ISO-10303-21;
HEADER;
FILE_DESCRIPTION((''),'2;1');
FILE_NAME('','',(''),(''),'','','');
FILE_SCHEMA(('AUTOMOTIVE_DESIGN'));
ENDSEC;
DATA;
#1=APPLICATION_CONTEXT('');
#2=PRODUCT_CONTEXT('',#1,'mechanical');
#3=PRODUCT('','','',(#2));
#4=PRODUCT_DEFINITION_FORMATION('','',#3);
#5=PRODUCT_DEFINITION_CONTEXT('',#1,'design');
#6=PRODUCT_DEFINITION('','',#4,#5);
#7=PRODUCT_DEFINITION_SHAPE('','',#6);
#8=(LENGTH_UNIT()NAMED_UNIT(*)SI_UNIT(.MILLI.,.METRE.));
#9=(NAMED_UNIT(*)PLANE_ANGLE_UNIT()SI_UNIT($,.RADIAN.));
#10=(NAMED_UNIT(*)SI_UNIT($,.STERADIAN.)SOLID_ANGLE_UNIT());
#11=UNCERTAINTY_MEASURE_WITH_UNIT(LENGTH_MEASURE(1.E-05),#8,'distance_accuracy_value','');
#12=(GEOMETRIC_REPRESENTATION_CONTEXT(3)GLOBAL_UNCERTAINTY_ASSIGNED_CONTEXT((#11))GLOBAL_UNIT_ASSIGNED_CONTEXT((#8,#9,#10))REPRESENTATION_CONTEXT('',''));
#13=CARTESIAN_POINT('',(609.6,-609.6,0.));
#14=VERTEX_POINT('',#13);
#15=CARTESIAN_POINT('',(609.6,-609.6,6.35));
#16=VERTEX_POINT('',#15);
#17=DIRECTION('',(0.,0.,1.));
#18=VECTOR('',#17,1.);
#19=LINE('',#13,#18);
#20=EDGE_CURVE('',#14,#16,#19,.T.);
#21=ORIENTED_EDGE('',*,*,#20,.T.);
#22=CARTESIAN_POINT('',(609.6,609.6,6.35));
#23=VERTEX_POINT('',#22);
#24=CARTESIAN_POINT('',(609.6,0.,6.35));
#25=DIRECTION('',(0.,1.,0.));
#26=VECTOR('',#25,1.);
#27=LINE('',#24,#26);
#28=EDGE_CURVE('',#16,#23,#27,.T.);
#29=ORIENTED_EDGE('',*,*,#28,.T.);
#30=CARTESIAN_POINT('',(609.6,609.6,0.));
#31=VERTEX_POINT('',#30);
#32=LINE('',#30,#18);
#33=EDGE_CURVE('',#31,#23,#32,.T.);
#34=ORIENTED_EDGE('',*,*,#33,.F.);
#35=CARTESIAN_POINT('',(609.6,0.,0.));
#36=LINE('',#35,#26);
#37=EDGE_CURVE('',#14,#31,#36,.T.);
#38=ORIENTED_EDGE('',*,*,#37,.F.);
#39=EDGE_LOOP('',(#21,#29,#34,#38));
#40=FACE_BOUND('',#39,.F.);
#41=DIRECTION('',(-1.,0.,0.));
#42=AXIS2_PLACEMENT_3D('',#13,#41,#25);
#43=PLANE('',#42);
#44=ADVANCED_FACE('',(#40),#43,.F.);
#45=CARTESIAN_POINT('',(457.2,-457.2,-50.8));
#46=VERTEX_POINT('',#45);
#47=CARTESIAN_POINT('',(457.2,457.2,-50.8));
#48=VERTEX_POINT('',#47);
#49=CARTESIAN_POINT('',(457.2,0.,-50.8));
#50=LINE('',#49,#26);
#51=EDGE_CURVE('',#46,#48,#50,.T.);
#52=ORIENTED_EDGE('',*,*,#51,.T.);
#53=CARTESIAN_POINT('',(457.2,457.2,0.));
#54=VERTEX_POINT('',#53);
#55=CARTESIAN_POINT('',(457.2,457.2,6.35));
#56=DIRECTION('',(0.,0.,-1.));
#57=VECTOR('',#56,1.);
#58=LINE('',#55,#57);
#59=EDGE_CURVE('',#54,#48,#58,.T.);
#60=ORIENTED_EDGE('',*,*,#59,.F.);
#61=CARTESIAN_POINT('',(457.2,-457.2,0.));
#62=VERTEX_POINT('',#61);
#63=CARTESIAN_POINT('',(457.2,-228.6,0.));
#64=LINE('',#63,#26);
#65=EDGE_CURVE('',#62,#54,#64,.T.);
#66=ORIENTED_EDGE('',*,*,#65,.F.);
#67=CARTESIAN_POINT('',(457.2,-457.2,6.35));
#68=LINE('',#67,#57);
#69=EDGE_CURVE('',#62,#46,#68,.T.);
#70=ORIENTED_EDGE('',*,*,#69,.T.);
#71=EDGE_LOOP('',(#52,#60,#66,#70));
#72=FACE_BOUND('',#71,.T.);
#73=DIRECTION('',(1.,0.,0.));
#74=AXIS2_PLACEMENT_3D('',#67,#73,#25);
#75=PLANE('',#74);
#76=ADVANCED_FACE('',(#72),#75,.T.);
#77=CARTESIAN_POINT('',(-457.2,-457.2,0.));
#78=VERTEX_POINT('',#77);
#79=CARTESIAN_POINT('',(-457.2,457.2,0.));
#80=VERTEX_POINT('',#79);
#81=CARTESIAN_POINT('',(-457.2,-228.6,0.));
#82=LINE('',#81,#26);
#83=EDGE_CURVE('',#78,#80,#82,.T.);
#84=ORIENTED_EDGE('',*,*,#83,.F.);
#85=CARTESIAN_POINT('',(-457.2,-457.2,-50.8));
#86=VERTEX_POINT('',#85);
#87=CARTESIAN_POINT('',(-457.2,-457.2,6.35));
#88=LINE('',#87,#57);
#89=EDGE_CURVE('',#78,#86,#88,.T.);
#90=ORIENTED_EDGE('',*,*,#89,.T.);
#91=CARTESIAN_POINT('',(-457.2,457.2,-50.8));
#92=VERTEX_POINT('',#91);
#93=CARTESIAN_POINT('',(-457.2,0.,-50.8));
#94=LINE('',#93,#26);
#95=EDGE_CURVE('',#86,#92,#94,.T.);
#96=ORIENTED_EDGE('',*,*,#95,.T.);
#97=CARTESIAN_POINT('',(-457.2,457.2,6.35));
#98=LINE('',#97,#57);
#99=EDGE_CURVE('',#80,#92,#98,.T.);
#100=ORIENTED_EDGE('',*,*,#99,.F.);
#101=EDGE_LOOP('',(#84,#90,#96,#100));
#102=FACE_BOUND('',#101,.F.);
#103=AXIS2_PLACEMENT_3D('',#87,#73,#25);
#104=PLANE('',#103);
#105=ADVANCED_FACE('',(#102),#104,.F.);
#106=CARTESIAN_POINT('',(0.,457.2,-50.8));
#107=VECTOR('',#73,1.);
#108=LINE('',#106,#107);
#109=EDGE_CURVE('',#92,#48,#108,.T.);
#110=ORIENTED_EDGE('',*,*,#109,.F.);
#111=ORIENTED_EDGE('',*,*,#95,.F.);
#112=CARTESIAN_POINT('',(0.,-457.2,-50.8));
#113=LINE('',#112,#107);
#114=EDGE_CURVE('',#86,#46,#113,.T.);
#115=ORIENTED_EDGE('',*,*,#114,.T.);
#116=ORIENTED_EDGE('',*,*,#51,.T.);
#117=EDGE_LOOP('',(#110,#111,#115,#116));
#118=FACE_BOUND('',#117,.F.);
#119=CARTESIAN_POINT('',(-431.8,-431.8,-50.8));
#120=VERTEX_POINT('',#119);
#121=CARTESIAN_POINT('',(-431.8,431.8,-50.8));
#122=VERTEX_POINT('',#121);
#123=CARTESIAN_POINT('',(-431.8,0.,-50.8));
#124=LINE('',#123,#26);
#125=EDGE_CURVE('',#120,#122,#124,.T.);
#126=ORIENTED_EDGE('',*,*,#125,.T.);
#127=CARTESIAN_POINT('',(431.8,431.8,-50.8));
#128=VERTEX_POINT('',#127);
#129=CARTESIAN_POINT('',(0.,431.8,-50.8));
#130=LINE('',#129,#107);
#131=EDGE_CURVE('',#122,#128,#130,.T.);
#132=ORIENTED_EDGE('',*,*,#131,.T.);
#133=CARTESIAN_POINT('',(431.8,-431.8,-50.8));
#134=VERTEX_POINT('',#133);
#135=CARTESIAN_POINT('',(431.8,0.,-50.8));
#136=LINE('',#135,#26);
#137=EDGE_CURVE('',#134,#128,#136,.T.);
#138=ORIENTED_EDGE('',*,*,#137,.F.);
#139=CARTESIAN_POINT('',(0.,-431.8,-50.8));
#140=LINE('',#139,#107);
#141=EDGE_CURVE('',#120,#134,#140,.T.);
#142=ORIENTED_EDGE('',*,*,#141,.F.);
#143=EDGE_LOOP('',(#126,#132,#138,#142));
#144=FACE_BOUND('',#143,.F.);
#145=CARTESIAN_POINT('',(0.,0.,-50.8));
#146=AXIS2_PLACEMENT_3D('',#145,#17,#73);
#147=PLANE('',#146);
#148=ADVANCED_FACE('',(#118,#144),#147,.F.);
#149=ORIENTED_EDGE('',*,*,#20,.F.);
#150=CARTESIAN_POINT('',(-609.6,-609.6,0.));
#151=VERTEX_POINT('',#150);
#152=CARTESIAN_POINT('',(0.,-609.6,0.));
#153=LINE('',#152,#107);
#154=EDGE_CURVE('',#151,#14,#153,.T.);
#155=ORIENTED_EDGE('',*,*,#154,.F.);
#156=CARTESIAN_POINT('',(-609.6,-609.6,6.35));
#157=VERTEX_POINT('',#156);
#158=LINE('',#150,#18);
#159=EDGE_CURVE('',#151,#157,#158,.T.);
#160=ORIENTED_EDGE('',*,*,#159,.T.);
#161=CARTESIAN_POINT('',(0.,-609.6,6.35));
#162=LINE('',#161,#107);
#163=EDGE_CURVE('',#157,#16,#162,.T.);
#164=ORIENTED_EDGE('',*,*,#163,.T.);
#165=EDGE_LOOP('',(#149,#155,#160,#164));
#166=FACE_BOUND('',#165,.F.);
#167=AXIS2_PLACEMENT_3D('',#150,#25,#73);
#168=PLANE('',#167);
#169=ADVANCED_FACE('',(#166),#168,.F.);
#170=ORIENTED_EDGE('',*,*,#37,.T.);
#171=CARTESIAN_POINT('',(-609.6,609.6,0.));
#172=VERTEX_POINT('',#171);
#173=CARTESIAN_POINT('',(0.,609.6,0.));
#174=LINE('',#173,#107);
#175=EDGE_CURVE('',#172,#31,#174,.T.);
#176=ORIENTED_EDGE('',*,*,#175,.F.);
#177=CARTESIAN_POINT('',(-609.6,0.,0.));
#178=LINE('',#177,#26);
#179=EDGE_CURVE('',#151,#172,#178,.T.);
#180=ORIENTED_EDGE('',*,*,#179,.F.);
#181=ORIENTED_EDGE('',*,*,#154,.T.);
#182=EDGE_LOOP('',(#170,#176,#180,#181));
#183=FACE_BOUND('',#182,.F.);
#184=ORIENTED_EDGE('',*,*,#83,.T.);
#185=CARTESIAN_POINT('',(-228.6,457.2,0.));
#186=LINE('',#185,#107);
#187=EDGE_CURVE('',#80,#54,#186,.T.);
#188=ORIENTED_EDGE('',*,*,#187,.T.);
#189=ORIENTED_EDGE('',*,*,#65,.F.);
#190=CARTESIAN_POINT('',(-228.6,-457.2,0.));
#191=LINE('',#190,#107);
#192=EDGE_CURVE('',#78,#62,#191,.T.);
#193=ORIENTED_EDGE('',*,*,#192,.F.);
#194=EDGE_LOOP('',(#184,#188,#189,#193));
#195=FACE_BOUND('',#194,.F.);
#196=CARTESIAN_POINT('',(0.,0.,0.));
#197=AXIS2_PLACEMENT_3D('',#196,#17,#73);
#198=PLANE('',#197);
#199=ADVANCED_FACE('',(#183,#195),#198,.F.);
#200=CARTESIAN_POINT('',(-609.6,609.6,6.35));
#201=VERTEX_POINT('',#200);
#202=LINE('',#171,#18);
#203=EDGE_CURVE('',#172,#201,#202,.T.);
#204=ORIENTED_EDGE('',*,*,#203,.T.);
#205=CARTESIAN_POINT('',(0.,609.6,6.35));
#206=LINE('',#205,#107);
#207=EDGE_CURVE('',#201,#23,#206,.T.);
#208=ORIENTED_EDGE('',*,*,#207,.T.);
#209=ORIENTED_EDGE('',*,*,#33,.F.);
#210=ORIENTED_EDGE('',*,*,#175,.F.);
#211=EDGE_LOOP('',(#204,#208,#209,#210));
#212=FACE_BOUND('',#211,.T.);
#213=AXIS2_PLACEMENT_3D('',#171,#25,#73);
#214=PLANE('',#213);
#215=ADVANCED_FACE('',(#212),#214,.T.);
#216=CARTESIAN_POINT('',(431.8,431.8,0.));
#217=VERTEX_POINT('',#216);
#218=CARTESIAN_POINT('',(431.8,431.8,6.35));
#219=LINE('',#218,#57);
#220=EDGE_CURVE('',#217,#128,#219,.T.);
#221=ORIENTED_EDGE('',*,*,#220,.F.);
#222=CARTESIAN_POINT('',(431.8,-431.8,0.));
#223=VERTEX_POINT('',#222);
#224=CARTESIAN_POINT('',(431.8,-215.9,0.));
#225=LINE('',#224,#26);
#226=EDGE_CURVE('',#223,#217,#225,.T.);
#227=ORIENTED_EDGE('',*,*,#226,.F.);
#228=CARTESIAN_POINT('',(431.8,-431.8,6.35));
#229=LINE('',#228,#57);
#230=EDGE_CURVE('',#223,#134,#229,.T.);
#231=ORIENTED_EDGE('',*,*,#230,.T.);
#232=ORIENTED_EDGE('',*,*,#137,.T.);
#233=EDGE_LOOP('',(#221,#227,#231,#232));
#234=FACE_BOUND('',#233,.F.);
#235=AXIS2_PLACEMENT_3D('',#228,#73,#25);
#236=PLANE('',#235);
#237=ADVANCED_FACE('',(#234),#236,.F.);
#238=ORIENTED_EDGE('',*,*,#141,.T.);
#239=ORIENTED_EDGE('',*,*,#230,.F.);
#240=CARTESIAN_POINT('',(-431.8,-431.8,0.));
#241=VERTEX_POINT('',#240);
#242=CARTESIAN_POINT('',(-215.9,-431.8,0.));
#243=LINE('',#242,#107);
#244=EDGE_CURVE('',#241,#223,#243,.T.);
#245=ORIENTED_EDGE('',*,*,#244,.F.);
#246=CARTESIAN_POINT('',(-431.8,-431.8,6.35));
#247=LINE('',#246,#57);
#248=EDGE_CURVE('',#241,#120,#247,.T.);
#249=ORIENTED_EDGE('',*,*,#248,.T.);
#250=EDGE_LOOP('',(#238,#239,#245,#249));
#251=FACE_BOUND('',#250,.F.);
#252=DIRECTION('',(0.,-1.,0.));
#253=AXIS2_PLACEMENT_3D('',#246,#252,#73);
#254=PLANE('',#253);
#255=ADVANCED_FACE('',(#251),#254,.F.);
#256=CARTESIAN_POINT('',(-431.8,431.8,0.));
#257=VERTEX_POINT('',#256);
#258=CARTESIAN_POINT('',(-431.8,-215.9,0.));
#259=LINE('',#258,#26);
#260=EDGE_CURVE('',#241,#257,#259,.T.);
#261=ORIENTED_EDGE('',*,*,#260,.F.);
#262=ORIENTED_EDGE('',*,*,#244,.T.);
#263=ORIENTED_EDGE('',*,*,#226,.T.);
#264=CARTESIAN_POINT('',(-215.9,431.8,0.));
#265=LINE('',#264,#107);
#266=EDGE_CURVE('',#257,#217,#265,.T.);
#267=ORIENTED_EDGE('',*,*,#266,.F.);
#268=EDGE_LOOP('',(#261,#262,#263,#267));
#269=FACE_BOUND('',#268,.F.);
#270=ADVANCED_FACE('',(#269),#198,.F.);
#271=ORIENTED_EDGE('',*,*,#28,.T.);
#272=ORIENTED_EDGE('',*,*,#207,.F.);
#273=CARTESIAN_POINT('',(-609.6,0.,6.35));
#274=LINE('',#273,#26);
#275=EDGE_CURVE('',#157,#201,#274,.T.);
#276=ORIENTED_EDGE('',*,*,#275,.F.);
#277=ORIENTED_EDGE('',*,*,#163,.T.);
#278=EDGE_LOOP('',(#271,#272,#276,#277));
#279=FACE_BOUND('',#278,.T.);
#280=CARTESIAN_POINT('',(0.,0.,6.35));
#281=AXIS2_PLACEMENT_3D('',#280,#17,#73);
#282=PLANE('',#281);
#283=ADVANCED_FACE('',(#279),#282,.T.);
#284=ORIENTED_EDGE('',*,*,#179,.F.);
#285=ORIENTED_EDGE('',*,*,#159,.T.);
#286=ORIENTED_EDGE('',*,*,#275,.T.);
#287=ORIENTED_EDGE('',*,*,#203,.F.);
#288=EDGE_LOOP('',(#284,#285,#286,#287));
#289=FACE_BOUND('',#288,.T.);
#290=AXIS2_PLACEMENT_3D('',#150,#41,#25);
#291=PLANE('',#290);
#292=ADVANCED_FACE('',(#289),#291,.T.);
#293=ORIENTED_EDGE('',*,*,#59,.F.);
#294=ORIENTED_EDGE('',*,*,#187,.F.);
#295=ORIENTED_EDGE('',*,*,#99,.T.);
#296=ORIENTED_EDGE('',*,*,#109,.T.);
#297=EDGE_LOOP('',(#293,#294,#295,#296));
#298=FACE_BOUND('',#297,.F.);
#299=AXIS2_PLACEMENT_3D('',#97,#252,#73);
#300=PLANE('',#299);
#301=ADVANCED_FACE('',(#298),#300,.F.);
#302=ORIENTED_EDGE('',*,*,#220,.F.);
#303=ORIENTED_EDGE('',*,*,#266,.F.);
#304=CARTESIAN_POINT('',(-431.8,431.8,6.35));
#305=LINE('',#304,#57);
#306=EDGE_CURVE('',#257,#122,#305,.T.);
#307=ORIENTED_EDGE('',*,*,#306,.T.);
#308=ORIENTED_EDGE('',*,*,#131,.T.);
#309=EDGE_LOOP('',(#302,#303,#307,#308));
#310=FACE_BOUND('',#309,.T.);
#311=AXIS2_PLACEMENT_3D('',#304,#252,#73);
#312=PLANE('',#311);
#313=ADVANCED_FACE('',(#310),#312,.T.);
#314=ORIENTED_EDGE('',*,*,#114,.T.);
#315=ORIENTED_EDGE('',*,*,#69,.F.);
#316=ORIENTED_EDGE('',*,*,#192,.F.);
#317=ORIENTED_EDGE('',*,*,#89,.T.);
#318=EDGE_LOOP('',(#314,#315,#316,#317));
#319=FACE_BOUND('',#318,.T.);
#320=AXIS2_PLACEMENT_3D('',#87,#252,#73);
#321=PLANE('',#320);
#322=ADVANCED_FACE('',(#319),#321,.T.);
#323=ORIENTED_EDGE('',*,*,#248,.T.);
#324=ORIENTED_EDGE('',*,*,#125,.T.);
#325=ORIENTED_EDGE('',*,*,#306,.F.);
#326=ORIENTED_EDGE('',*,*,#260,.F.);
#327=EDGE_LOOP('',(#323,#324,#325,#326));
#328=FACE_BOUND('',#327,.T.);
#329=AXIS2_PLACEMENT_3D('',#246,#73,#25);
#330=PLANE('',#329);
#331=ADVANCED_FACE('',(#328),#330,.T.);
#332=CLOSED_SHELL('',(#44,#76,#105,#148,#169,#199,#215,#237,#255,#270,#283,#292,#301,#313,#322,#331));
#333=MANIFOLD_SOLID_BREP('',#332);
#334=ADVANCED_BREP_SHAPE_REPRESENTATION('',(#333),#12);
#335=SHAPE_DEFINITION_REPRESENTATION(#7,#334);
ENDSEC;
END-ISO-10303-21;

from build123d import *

# Parameters (mm, degrees)
F0_W     = 1219.2
F0_H     = 1219.2
F0_W_2   = 914.4
F0_H_2   = 914.4
F1_DEPTH = 6.35
F2_W     = 914.4
F2_H     = 914.4
F2_W_2   = 863.6
F2_H_2   = 863.6
F3_DEPTH = 57.15


with BuildPart() as f1:
    # F0 (on Top) → F1 (new body)
    with BuildSketch(Plane.XY):
        Rectangle(F0_W, F0_H)
        Rectangle(F0_W_2, F0_H_2, mode=Mode.SUBTRACT)
        Rectangle(F0_W_2, F0_H_2)
    extrude(amount=F1_DEPTH)

    # F2 (on face) → F3 (join)
    with BuildSketch(Plane.XY.offset(6.35)):
        Rectangle(F2_W, F2_H)
        Rectangle(F2_W_2, F2_H_2, mode=Mode.SUBTRACT)
    extrude(amount=-F3_DEPTH)


solid = f1.part
